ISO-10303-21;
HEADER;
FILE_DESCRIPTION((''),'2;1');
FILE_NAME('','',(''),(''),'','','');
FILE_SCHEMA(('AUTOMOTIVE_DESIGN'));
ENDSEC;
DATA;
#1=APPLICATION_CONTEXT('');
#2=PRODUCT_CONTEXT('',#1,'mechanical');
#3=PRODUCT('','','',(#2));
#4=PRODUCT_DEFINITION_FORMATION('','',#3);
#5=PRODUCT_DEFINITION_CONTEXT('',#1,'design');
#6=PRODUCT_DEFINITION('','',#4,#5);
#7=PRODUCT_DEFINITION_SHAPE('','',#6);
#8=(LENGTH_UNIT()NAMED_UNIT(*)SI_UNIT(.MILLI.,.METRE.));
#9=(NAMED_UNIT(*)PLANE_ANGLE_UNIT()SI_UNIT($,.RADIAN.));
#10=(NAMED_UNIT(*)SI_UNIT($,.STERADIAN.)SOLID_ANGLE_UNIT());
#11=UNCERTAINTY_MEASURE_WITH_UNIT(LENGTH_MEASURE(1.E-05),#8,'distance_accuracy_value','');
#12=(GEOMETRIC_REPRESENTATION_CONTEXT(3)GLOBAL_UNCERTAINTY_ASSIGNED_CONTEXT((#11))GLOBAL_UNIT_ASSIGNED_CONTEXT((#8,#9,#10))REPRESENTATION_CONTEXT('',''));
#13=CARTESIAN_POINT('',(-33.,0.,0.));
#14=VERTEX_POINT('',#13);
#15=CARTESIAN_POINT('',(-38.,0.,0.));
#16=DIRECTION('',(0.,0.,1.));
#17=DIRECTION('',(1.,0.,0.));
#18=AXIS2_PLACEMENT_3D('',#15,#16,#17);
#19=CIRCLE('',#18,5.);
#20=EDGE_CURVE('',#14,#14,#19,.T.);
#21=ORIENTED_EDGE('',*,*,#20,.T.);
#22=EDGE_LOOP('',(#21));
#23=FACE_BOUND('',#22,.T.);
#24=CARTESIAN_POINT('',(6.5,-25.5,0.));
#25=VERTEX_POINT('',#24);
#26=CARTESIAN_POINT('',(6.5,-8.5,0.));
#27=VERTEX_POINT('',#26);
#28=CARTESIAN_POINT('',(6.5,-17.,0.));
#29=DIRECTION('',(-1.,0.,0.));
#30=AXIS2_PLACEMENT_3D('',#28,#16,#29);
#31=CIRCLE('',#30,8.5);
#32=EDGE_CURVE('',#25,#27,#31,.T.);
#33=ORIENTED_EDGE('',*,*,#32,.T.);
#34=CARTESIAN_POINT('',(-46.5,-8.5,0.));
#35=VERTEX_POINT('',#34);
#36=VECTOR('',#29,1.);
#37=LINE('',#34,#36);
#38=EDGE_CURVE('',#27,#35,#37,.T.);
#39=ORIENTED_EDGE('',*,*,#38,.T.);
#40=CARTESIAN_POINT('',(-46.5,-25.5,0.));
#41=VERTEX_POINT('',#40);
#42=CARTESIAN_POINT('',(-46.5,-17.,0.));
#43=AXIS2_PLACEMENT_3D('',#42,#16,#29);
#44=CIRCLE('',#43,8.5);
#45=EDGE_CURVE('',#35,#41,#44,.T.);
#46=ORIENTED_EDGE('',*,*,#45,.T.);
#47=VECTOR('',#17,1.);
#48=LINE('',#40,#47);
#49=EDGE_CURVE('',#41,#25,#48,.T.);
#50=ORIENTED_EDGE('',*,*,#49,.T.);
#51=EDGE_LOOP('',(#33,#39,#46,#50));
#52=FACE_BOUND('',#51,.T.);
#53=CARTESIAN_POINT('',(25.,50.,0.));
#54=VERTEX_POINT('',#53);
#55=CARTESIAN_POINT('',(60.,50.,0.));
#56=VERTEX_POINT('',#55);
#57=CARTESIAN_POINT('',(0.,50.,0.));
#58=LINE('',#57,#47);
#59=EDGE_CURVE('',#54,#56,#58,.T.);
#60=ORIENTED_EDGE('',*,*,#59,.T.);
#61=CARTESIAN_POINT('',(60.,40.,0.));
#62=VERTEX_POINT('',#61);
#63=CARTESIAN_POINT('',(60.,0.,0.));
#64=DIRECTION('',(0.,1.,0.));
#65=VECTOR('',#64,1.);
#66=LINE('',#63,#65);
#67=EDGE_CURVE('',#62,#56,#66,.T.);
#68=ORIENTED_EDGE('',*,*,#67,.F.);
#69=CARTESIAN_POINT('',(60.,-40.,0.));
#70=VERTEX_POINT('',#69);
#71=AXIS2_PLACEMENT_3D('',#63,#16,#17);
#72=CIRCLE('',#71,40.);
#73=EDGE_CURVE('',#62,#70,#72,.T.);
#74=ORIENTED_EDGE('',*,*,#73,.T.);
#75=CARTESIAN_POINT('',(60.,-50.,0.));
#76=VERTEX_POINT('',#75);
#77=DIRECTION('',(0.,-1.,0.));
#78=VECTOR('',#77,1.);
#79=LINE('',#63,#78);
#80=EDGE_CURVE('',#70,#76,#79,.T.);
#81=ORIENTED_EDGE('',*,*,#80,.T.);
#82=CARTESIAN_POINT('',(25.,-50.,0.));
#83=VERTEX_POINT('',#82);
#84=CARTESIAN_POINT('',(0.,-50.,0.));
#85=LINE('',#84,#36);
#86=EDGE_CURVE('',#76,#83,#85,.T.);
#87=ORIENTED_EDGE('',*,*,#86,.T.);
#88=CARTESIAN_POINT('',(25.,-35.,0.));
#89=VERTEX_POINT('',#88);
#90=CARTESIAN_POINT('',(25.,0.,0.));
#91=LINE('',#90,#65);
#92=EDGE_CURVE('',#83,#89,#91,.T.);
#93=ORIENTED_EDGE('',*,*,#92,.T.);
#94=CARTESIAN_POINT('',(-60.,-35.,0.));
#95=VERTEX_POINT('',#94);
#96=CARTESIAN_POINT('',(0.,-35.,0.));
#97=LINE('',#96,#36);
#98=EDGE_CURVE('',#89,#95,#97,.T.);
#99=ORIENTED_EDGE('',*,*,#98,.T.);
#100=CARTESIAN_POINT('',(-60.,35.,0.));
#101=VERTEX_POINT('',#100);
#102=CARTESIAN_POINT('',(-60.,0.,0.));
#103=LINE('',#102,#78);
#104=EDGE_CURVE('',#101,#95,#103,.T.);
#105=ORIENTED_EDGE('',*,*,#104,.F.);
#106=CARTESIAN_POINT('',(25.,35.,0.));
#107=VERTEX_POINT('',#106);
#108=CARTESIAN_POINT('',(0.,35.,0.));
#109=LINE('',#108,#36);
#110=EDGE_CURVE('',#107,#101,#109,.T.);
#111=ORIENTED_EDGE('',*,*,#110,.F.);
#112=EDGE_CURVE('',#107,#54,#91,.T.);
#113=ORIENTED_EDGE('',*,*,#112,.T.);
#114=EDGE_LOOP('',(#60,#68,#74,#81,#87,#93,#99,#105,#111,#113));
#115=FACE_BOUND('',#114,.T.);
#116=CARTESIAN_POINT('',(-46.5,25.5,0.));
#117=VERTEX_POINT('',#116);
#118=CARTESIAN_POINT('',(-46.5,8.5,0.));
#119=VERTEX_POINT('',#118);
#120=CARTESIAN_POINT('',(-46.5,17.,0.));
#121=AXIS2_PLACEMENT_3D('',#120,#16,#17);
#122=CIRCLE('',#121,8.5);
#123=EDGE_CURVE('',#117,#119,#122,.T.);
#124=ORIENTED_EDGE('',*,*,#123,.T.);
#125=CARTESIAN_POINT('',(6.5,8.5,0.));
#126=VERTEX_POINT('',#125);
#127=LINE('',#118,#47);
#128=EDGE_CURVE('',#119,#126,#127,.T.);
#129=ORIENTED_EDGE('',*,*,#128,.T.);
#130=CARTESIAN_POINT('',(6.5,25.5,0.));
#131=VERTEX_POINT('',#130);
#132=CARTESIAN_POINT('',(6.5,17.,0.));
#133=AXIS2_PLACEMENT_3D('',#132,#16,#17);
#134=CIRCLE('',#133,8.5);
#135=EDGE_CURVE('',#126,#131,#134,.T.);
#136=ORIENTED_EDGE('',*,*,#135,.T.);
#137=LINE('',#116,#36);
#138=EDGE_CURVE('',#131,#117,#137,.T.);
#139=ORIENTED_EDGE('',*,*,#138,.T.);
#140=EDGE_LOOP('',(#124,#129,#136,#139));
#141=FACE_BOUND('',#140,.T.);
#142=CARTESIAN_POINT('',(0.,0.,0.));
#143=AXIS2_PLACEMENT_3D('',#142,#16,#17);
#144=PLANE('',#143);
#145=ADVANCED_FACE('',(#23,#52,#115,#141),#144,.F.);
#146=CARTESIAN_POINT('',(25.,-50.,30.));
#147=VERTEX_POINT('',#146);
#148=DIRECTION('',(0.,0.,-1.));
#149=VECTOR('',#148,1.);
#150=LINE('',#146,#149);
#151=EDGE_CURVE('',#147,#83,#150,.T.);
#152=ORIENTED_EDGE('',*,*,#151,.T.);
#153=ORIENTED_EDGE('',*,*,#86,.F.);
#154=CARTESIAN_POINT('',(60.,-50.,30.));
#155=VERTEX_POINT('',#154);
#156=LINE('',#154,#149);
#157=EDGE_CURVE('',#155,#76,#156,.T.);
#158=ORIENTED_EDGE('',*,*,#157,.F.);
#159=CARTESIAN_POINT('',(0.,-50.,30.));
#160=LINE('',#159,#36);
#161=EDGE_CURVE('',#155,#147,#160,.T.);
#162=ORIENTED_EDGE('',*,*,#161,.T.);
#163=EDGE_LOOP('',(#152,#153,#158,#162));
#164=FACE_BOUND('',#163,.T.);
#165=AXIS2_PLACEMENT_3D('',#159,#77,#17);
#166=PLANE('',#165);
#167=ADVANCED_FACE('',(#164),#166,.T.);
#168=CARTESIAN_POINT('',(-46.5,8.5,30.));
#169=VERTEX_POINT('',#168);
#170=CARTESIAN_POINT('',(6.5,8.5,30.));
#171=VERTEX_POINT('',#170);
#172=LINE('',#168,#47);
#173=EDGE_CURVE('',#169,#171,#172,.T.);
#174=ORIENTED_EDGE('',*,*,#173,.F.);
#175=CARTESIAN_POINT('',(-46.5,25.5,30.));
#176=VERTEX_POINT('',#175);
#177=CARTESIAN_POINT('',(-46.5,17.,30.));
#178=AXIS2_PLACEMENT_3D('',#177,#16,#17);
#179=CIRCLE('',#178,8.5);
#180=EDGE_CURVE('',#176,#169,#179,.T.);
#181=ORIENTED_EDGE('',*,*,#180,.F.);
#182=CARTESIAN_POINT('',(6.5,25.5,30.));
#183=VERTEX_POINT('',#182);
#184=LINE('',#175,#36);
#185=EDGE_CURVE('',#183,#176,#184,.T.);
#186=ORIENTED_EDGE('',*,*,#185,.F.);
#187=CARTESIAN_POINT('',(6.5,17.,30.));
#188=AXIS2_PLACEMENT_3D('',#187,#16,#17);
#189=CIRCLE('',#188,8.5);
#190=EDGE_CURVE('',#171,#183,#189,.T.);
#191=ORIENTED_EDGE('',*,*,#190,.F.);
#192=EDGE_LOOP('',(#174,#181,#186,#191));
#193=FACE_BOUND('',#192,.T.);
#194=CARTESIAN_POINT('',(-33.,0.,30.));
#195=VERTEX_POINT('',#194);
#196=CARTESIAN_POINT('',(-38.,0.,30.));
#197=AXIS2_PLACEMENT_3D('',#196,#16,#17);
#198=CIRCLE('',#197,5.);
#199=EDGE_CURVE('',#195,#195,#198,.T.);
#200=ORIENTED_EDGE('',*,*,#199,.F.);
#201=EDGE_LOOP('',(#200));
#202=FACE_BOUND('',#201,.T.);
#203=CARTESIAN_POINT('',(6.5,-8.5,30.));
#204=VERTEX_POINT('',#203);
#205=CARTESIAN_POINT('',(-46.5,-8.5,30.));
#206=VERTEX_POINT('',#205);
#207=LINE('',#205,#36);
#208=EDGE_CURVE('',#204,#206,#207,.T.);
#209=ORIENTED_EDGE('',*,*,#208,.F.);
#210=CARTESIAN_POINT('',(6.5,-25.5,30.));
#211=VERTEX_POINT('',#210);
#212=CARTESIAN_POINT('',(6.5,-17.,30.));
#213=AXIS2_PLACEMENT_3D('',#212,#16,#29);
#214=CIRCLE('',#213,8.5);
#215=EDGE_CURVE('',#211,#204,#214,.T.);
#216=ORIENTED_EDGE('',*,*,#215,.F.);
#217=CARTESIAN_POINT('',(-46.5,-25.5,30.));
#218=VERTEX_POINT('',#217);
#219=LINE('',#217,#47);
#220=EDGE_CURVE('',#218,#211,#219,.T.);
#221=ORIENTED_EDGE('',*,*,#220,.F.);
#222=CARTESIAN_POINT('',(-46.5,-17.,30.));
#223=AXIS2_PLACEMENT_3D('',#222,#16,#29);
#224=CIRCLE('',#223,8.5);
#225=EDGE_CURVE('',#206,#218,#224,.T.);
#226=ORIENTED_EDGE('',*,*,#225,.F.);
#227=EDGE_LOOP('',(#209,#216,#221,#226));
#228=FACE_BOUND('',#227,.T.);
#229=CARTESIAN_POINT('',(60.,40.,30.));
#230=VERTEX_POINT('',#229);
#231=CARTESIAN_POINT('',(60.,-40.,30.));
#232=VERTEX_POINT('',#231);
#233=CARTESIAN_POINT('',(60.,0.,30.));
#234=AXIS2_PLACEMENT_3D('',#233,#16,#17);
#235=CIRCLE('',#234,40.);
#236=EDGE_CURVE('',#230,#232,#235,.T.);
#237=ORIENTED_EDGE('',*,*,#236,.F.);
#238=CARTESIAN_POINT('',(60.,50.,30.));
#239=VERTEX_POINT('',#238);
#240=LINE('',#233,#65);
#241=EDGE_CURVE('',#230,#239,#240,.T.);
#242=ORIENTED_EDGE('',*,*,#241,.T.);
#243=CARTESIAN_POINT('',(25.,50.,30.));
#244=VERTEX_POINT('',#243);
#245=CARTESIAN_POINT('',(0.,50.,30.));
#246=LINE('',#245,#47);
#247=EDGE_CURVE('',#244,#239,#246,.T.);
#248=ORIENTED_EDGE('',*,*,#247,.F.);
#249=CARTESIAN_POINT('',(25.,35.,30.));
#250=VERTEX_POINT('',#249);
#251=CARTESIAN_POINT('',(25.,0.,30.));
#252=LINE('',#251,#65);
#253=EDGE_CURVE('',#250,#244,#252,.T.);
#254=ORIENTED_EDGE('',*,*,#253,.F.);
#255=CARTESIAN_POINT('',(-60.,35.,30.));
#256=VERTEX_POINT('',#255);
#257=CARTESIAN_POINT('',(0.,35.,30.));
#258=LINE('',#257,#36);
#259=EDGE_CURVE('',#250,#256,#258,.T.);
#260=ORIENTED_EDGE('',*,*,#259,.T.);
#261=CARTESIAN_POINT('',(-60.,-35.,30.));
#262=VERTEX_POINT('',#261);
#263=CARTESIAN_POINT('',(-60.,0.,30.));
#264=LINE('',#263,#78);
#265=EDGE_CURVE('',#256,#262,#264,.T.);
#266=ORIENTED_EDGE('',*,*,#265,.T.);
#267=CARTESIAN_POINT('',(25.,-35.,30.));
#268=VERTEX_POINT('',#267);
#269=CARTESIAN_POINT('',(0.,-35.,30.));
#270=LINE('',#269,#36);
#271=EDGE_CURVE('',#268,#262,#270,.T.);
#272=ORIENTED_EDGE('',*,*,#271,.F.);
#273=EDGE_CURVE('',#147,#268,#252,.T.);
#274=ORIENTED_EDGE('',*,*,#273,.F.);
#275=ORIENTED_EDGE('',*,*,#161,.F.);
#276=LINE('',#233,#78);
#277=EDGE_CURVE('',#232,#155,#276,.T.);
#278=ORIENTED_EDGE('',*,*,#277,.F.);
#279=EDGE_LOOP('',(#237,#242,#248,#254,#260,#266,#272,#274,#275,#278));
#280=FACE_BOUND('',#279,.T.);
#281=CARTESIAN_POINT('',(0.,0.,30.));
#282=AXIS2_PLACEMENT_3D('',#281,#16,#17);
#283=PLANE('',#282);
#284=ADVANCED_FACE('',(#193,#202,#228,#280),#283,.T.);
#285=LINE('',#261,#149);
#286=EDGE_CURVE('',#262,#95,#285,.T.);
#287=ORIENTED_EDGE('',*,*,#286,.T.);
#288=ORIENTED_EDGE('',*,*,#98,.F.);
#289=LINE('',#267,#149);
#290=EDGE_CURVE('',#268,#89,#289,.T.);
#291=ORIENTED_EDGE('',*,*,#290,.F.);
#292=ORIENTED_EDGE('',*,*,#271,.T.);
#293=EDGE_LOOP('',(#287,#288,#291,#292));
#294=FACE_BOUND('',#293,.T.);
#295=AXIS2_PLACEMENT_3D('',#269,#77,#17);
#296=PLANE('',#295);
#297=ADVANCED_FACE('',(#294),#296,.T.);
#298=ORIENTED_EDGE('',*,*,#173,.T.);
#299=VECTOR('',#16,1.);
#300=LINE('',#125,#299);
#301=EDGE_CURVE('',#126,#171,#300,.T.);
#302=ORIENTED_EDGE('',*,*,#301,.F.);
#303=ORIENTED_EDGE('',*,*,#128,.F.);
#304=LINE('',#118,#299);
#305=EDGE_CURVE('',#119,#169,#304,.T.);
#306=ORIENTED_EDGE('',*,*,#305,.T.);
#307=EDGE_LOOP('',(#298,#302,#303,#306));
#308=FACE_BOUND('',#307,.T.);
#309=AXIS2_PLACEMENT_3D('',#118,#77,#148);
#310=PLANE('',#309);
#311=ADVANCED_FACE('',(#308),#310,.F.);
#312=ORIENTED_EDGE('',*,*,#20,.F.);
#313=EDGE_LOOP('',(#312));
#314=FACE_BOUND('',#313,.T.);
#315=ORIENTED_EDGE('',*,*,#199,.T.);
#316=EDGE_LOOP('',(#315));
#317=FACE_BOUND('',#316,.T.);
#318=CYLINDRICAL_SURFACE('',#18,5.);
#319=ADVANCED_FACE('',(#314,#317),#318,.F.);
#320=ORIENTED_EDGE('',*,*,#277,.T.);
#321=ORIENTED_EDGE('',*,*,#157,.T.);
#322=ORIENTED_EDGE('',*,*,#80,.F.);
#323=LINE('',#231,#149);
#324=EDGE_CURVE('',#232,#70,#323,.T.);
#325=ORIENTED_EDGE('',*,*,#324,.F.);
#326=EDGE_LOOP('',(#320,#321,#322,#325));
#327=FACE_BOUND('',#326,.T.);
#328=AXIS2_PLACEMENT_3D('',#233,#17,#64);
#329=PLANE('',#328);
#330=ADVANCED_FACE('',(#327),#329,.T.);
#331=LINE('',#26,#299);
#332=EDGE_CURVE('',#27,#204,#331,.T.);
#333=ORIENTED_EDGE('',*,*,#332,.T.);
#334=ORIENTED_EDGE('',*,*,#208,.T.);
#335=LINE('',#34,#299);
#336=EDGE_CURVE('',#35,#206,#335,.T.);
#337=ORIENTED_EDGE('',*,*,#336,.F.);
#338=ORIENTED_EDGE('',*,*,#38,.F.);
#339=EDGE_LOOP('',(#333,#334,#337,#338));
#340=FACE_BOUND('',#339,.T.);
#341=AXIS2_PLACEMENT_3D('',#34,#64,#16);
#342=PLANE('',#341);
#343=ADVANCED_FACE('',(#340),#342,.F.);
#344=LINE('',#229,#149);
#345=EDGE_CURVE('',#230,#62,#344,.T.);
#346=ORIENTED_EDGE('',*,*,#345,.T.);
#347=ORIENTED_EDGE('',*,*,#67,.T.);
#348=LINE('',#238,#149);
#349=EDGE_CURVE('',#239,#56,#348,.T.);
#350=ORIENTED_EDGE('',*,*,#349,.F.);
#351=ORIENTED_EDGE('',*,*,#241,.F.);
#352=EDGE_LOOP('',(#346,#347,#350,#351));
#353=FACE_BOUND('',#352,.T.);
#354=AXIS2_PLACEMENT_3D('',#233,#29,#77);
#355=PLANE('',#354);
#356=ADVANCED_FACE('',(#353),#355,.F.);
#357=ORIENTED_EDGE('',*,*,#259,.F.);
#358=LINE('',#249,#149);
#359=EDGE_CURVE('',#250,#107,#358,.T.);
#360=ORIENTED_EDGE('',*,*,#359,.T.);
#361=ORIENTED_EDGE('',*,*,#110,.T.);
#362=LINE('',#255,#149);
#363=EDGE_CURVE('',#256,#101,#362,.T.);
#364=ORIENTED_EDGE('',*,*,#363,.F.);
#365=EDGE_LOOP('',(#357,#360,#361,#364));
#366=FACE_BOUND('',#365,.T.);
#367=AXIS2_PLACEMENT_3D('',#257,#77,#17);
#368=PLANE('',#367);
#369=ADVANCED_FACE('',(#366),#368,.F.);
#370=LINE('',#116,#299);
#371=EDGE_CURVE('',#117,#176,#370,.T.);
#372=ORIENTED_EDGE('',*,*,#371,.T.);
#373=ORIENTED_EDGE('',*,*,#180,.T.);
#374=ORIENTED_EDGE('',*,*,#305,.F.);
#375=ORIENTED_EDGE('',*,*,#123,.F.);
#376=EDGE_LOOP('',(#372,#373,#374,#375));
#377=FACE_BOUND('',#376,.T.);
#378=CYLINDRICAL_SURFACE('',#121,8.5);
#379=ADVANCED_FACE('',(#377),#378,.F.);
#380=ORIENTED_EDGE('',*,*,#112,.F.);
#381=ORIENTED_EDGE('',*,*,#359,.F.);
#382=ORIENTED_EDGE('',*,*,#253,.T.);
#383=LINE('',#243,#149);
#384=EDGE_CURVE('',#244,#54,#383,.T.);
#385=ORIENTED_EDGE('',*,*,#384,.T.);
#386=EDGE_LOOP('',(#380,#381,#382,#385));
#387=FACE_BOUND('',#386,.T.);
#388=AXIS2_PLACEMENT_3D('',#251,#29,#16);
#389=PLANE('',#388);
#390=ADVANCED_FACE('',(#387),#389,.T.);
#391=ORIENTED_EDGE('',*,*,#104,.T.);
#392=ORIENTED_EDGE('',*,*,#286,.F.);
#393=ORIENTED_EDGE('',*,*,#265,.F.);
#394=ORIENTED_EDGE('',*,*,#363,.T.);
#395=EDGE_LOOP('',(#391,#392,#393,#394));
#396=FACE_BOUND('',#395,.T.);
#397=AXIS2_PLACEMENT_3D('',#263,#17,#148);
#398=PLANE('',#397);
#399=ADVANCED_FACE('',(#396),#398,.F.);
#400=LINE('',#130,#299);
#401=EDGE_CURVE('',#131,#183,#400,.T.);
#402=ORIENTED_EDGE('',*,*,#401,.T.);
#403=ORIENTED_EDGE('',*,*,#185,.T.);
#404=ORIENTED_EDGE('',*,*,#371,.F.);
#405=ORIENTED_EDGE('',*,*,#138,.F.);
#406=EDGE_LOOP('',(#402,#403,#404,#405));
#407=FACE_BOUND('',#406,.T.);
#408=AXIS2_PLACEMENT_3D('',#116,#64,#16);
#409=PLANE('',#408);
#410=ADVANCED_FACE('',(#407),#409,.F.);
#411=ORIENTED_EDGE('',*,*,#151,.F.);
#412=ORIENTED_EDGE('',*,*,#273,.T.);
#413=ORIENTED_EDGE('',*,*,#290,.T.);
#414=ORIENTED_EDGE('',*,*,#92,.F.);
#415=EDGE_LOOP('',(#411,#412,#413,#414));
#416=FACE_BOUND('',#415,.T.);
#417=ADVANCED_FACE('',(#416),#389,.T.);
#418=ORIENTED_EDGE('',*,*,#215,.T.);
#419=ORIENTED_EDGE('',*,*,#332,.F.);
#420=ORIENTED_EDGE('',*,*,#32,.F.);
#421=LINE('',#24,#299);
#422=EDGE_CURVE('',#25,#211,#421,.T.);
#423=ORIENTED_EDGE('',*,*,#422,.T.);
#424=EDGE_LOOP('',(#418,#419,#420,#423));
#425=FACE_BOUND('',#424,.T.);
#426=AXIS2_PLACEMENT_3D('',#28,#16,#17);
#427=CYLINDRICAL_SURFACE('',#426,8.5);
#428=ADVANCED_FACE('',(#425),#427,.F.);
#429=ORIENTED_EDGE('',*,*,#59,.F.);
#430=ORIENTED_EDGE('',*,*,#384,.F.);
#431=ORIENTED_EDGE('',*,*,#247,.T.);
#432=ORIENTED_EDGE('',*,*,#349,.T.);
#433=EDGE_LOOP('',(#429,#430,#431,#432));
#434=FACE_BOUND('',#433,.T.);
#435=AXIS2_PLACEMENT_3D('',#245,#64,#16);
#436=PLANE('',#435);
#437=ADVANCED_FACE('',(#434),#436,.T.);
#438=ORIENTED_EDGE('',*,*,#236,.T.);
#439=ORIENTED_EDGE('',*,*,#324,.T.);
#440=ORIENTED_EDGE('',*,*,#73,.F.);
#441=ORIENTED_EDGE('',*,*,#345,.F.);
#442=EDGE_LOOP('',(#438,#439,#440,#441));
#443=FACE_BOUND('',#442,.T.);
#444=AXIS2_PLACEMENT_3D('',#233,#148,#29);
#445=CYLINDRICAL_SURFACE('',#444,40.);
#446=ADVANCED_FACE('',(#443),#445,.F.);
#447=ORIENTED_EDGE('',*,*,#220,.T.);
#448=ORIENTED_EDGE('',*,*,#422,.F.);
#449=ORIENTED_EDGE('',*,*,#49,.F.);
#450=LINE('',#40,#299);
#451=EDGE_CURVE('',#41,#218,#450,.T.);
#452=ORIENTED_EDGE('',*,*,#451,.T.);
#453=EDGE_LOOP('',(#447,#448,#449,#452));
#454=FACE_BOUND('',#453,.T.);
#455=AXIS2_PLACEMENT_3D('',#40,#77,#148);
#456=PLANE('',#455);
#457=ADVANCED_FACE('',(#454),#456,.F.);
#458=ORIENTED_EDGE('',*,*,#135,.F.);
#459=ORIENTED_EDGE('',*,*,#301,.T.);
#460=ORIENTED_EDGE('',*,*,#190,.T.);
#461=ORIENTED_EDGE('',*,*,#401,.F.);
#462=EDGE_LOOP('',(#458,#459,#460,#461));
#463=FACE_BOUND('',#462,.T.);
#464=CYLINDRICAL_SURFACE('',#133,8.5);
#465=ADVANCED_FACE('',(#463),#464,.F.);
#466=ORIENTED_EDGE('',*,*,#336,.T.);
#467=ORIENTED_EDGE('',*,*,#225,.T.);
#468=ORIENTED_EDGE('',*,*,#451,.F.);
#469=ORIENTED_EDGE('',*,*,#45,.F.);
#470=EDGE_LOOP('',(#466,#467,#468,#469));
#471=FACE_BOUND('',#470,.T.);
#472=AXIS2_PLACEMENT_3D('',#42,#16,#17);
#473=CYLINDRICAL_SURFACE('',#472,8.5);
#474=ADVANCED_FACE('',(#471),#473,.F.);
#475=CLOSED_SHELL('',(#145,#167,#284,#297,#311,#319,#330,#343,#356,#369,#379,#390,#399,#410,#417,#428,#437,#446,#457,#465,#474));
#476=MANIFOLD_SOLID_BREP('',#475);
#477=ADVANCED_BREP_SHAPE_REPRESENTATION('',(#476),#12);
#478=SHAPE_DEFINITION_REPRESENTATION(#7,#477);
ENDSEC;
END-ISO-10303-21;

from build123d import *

# Parameters (mm, degrees)
EXTRUDE_1_DEPTH     = 30
CUT_EXTRUDE_1_DEPTH = 84.666002653
SKETCH_4_R          = 5
CUT_EXTRUDE_2_DEPTH = 84.666002653


with BuildPart() as part:
    # Эскиз1 → Бобышка-Вытянуть1 (new body)
    with BuildSketch(Plane.XY):
        with BuildLine():
            Line((60, -50), (60, -40))
            ThreePointArc((60, -40), (50, -38.729833462), (40.635083269, -35))
            Line((40.635083269, -35), (25, -35))
            Line((25, -35), (25, -50))
            Line((25, -50), (60, -50))
        make_face()
        with BuildLine():
            Line((25, -35), (40.635083269, -35))
            ThreePointArc((40.635083269, -35), (31.715728753, -28.284271247), (25, -19.364916731))
            Line((25, -19.364916731), (25, -35))
        make_face()
        with BuildLine():
            Line((25, 19.364916731), (25, 35))
            Line((25, 35), (-60, 35))
            Line((-60, 35), (-60, -35))
            Line((-60, -35), (25, -35))
            Line((25, -35), (25, -19.364916731))
            ThreePointArc((25, -19.364916731), (20, 0), (25, 19.364916731))
        make_face()
        with BuildLine():
            ThreePointArc((25, 19.364916731), (31.715728753, 28.284271247), (40.635083269, 35))
            Line((40.635083269, 35), (25, 35))
            Line((25, 35), (25, 19.364916731))
        make_face()
        with BuildLine():
            ThreePointArc((40.635083269, 35), (50, 38.729833462), (60, 40))
            Line((60, 40), (60, 50))
            Line((60, 50), (25, 50))
            Line((25, 50), (25, 35))
            Line((25, 35), (40.635083269, 35))
        make_face()
    extrude(amount=EXTRUDE_1_DEPTH)

    # Эскиз3 → Вырез-Вытянуть1 (cut, through all)
    with BuildSketch(Plane.XY.offset(30)):
        with BuildLine():
            Line((-46.5, 25.5), (6.5, 25.5))
            ThreePointArc((6.5, 25.5), (15, 17), (6.5, 8.5))
            Line((6.5, 8.5), (-46.5, 8.5))
            ThreePointArc((-46.5, 8.5), (-55, 17), (-46.5, 25.5))
        make_face()
        with BuildLine():
            Line((-46.5, -25.5), (6.5, -25.5))
            ThreePointArc((6.5, -25.5), (15, -17), (6.5, -8.5))
            Line((6.5, -8.5), (-46.5, -8.5))
            ThreePointArc((-46.5, -8.5), (-55, -17), (-46.5, -25.5))
        make_face()
    extrude(amount=-CUT_EXTRUDE_1_DEPTH, mode=Mode.SUBTRACT)

    # Эскиз4 → Вырез-Вытянуть2 (cut, through all)
    with BuildSketch(Plane.XY.offset(30)):
        with Locations((-38, 0)):
            Circle(SKETCH_4_R)
    extrude(amount=-CUT_EXTRUDE_2_DEPTH, mode=Mode.SUBTRACT)


solid = part.part
